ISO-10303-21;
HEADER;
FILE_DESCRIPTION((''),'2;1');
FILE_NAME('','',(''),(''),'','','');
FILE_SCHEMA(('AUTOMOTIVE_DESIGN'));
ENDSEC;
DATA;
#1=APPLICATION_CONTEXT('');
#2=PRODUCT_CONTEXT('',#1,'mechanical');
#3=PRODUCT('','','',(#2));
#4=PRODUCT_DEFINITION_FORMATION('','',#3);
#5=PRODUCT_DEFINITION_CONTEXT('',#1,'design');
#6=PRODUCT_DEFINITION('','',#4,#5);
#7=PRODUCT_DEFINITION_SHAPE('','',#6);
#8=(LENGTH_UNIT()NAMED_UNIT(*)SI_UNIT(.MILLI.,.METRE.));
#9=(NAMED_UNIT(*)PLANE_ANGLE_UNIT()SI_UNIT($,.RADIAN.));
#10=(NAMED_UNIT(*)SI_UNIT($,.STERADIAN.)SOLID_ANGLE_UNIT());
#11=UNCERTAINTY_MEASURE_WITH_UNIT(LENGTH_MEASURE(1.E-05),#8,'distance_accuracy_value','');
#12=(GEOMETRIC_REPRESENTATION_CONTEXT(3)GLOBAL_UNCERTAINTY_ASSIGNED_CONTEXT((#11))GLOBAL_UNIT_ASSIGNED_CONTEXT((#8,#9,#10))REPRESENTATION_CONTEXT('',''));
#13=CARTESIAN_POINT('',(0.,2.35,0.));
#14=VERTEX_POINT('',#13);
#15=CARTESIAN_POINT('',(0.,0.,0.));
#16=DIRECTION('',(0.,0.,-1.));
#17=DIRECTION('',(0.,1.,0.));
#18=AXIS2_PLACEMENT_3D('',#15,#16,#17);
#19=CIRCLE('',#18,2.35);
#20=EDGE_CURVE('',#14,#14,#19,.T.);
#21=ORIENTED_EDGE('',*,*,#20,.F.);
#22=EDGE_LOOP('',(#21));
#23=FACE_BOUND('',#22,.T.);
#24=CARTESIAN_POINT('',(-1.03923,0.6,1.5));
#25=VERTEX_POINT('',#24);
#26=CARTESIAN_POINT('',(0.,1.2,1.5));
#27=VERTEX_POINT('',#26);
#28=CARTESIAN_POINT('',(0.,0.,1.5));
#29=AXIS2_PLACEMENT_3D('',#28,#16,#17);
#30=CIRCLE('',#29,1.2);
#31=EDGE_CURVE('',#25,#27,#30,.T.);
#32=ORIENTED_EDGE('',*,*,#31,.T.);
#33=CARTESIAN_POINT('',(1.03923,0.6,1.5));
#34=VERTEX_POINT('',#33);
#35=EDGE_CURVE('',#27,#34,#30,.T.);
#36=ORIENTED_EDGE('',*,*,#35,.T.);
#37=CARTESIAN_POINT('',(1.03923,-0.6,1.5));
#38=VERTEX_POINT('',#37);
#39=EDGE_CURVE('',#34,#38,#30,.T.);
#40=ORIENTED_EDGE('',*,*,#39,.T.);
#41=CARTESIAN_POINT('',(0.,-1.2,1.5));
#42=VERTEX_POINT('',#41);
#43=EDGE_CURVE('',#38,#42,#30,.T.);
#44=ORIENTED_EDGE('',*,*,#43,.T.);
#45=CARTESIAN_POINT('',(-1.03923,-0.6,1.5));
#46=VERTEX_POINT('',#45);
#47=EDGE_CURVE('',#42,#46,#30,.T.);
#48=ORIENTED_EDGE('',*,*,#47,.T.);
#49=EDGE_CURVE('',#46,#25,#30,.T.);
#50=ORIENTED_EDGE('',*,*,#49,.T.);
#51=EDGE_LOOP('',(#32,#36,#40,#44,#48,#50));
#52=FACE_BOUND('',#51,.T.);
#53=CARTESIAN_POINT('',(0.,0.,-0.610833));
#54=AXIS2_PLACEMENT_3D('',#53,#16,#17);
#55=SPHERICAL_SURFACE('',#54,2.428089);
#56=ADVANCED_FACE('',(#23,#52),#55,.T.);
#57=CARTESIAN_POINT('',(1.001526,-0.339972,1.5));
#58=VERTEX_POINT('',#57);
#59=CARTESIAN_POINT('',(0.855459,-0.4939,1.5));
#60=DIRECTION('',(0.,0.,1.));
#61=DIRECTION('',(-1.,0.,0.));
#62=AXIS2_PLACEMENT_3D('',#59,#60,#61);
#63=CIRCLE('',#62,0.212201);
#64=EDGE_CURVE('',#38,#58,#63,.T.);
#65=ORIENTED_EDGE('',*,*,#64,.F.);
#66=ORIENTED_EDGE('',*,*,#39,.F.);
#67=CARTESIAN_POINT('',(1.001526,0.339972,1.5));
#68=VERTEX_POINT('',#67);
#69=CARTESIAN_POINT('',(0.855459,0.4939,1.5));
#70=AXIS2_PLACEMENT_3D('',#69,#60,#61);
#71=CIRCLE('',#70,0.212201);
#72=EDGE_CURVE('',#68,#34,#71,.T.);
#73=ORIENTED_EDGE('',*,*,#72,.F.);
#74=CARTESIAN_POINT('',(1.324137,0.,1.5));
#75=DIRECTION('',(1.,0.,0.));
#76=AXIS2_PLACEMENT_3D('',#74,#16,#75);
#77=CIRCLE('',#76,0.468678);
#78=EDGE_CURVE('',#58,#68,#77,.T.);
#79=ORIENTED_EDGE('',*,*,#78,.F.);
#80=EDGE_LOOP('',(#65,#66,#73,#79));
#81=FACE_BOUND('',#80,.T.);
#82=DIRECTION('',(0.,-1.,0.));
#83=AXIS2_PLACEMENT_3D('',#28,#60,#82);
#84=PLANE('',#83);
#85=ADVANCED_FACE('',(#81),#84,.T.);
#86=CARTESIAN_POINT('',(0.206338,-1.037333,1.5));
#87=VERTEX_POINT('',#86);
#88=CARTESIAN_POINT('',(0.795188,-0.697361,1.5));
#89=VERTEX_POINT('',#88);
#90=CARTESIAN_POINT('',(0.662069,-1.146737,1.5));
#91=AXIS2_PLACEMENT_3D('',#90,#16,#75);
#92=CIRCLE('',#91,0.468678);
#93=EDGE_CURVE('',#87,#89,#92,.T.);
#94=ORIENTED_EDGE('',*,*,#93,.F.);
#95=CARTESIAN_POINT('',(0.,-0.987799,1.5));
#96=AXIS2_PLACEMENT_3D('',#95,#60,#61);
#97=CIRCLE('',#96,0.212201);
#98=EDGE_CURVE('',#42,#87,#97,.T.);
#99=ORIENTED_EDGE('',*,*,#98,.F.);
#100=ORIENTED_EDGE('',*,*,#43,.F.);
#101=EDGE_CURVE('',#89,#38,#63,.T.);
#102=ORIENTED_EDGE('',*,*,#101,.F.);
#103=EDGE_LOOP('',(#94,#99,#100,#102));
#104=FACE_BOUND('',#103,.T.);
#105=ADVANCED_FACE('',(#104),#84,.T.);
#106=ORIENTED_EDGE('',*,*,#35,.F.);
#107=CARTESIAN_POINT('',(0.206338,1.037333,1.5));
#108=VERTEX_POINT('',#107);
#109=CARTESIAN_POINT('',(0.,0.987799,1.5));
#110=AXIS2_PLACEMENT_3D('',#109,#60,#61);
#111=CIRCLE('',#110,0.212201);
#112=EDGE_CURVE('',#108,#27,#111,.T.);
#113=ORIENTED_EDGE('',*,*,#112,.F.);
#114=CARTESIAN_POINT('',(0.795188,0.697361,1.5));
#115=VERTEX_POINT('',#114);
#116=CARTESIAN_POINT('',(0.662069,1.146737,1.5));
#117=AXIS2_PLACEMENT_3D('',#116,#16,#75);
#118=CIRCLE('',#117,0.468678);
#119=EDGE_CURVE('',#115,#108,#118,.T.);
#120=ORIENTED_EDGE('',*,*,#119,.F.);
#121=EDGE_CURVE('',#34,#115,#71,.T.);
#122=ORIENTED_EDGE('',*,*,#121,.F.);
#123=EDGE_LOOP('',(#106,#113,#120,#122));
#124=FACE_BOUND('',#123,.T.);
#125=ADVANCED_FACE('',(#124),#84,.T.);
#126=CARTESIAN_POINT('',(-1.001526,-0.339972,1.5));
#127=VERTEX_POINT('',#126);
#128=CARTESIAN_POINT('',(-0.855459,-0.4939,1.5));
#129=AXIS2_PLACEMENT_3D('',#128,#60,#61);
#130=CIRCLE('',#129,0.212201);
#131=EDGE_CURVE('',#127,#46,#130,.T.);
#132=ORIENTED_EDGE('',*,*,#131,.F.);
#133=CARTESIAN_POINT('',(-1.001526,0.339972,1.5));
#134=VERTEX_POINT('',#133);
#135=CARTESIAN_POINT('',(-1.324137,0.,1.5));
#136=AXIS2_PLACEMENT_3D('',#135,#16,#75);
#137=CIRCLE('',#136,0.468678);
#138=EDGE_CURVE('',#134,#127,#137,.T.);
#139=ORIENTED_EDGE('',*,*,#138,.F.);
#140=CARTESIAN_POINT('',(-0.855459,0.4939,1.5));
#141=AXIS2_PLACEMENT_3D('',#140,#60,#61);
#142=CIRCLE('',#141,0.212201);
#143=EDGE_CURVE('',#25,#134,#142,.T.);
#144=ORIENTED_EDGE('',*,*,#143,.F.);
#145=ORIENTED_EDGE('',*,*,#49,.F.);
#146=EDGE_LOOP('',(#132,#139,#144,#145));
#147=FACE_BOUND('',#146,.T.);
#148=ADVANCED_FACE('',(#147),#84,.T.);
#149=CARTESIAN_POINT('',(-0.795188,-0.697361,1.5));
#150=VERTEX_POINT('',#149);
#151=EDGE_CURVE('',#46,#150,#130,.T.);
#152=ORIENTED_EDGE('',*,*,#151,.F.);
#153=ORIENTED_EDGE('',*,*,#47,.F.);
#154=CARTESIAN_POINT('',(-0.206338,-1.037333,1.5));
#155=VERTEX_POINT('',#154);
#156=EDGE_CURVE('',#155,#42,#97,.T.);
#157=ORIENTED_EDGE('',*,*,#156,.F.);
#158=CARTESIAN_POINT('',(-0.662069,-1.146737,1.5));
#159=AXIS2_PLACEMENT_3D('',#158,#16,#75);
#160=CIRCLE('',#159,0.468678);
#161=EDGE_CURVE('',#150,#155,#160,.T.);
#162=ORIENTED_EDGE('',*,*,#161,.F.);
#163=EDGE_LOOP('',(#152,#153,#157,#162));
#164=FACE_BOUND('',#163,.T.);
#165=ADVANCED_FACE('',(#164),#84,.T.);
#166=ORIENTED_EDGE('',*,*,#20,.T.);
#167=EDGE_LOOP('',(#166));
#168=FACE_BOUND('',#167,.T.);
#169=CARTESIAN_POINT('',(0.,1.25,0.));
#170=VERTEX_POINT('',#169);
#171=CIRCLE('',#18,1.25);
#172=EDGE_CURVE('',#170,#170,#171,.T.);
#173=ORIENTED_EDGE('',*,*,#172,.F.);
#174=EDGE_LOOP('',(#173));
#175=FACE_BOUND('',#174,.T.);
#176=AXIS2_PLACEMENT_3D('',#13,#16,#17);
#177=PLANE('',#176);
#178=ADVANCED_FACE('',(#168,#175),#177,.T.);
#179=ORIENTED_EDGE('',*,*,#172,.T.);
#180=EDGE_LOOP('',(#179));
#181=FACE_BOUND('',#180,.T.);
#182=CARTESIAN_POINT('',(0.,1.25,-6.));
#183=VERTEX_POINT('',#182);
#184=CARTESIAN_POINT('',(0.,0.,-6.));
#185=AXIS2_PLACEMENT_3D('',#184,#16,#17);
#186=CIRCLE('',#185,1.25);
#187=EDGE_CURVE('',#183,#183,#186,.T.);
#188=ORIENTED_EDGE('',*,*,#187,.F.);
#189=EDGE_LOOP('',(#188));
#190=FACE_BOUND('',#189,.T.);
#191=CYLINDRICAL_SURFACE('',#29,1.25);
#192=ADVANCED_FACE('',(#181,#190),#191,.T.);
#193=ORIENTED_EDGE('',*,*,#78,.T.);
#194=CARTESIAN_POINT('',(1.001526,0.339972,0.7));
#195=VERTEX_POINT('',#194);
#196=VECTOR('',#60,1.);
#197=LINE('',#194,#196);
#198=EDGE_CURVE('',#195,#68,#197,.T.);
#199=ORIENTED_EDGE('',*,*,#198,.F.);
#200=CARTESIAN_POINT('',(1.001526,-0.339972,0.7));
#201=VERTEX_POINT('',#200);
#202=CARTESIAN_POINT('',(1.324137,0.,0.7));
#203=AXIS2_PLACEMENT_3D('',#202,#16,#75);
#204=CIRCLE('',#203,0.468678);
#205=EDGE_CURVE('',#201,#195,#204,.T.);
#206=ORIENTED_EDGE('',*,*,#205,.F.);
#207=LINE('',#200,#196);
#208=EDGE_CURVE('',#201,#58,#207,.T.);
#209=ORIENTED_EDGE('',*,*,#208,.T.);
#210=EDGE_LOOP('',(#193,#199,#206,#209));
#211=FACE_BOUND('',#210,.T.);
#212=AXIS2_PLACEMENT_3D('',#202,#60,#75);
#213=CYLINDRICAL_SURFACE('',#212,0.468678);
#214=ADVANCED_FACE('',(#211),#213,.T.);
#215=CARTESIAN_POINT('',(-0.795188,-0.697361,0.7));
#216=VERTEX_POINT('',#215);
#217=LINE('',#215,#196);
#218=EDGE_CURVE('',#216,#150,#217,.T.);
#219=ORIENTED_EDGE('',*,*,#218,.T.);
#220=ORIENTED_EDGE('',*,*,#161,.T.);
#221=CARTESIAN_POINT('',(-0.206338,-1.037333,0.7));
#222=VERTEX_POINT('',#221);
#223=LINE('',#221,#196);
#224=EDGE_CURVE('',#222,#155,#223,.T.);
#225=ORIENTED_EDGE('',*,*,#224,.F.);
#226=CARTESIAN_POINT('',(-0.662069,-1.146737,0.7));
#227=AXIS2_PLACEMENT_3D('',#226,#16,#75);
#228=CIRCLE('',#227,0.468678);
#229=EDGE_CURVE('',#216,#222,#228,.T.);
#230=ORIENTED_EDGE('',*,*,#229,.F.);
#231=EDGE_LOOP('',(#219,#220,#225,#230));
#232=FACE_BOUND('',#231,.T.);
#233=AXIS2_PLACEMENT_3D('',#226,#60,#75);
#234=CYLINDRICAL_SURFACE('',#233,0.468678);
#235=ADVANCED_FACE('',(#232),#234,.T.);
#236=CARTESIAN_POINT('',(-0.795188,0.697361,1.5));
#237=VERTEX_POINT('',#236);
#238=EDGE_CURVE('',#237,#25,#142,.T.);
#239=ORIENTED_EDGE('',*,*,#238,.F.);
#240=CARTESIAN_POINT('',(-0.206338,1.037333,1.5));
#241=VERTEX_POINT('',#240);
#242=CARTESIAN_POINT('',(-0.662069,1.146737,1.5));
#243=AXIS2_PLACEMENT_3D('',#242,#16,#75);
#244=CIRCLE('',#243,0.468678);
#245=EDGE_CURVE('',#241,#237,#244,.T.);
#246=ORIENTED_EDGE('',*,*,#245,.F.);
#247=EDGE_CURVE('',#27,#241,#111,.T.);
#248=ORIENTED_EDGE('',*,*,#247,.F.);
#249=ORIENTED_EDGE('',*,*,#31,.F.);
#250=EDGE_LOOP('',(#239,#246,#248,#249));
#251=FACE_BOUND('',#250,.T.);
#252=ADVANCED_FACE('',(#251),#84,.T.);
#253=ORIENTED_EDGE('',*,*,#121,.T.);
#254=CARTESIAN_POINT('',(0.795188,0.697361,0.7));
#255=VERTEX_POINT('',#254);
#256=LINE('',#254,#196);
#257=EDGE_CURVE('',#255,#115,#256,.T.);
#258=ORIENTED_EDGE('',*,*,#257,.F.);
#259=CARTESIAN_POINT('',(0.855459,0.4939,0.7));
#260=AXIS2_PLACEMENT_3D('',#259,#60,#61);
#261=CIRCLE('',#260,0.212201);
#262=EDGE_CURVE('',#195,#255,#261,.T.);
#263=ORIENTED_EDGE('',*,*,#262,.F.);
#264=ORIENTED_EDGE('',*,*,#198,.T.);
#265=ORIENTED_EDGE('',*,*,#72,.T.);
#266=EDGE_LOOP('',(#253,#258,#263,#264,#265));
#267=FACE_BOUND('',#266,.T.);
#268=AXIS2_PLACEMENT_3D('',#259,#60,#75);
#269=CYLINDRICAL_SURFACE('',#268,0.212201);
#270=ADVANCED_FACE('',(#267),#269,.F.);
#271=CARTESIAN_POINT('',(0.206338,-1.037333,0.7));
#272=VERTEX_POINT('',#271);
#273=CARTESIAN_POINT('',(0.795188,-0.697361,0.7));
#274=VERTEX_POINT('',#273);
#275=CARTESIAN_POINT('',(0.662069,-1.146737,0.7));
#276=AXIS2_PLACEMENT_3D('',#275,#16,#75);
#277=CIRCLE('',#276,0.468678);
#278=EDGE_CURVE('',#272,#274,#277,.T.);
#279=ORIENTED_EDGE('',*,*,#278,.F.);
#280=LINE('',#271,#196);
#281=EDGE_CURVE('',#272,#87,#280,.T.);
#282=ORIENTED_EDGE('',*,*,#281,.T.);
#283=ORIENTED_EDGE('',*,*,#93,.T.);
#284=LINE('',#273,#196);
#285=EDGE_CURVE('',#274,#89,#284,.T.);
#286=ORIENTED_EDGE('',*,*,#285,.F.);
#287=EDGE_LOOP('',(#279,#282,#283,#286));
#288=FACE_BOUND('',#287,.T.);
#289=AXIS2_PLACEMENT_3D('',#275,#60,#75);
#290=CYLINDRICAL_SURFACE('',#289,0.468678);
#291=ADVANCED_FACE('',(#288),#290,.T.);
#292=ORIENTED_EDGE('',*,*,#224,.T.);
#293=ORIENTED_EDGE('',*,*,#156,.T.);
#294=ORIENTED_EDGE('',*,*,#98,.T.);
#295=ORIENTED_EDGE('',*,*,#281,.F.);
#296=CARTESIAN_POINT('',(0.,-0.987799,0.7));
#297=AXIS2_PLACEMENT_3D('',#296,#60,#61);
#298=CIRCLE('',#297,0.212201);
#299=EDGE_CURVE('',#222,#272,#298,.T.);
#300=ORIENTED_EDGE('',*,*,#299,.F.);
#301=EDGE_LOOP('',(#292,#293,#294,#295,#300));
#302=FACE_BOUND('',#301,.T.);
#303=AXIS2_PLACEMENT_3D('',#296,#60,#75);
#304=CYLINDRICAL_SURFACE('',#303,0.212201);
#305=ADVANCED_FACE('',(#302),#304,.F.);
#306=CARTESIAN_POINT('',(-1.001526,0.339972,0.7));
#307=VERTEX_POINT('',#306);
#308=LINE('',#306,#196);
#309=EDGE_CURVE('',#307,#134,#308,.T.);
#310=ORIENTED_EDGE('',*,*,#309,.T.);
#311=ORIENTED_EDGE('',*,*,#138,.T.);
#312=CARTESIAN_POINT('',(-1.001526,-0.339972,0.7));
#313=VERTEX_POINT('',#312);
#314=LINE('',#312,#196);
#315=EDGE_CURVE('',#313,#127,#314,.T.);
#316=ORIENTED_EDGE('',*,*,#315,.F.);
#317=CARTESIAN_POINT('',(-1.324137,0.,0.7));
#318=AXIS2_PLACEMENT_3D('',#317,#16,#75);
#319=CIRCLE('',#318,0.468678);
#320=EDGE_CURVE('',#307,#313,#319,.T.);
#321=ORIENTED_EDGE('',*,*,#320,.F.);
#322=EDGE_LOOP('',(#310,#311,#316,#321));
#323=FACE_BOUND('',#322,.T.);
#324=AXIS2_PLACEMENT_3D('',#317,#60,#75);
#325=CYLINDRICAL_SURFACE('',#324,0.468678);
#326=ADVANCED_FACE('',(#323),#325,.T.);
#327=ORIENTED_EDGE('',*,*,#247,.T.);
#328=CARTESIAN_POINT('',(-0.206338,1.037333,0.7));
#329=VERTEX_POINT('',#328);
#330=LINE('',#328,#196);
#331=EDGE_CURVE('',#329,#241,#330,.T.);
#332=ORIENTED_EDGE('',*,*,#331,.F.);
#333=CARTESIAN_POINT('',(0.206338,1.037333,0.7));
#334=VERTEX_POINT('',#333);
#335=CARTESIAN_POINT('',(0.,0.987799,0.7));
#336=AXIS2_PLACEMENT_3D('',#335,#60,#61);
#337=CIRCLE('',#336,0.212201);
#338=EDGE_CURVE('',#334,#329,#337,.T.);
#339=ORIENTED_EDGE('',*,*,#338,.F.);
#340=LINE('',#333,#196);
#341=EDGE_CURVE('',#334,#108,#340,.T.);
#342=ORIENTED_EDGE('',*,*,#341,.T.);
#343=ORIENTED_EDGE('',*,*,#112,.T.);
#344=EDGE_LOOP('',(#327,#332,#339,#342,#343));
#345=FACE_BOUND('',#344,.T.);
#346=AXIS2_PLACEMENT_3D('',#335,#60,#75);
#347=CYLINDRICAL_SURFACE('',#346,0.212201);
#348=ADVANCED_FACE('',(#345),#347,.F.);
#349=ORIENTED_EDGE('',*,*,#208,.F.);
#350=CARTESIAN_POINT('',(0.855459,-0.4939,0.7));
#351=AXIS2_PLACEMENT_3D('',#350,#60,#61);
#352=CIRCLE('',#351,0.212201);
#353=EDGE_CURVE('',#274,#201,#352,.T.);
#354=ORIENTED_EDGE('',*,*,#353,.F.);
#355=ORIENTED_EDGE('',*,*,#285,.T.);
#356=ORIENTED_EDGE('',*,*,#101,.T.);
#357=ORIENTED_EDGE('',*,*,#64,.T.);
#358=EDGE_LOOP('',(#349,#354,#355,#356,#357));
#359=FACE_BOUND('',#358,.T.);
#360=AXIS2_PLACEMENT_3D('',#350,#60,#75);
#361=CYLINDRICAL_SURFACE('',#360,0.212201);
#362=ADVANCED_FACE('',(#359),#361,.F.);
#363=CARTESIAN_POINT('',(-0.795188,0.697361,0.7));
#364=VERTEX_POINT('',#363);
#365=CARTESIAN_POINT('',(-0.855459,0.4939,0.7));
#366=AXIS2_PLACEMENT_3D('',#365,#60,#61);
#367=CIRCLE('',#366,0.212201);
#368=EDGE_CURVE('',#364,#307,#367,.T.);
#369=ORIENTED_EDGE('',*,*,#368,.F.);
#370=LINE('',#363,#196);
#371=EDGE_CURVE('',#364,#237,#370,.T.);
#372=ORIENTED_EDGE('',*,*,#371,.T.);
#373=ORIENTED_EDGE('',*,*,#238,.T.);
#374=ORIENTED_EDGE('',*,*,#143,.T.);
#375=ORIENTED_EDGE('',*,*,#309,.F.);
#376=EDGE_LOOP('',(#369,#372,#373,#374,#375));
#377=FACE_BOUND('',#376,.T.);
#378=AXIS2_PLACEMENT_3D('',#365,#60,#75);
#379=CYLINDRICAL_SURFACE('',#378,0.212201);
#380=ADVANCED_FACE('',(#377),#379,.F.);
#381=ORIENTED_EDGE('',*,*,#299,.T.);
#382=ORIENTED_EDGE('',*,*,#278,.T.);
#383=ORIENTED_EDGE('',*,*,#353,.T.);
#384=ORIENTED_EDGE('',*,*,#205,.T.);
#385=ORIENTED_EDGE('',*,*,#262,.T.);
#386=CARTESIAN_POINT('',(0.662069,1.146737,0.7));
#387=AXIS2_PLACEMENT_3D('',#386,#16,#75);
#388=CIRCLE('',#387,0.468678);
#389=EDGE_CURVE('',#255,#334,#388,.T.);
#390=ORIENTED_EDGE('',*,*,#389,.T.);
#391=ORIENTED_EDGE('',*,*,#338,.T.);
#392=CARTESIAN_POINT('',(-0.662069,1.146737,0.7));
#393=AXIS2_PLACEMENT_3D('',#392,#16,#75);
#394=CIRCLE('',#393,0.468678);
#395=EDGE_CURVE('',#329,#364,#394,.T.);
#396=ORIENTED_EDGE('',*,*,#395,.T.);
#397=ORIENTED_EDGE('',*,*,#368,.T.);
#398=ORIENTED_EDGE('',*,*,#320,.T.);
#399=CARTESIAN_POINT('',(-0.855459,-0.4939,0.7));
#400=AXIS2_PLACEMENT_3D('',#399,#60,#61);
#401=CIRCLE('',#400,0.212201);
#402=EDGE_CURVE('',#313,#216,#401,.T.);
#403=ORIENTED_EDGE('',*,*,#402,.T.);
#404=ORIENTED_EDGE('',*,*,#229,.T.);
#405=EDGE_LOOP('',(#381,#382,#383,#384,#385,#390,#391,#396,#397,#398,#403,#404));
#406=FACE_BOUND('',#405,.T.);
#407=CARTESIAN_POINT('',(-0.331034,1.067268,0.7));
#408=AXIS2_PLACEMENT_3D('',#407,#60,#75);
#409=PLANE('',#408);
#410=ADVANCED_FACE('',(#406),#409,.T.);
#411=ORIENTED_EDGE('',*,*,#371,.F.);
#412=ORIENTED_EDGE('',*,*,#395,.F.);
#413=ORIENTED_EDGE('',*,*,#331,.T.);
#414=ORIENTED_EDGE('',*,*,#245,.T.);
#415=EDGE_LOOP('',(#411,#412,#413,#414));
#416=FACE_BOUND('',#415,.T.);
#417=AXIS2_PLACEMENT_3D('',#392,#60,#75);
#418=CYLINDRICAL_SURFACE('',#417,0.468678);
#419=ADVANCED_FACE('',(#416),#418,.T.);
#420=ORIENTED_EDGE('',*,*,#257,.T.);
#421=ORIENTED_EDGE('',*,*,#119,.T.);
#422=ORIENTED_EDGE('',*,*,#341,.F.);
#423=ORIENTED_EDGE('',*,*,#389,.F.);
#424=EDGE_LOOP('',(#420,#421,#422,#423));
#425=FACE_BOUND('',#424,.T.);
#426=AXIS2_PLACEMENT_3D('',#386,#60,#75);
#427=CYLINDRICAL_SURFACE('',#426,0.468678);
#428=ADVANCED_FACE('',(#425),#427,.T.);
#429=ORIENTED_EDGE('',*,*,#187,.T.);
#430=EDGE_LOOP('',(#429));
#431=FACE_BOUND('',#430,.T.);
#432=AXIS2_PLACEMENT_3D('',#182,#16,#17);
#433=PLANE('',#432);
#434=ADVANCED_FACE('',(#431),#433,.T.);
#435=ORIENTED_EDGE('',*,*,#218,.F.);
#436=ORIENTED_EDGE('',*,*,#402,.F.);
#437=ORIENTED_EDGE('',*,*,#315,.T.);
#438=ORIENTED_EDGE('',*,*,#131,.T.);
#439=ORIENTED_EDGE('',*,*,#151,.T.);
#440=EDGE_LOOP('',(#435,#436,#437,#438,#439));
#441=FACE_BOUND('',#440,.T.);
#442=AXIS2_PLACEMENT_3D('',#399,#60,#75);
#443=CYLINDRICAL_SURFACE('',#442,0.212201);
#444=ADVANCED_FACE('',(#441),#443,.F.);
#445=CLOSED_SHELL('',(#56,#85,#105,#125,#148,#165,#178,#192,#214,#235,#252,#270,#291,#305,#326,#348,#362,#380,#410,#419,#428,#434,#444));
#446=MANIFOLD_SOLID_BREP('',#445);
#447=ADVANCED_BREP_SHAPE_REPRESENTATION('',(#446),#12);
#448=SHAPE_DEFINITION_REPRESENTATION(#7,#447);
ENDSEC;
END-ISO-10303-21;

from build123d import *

# Parameters (mm, degrees)
ENL_V_MAT_EXTRU_1_DEPTH = 0.8


with BuildPart() as part:
    # Esquisse1 → Révolution1 (revolve)
    with BuildSketch(Plane(origin=(0, 0, 0), x_dir=(0, 0, -1), z_dir=(1, 0, 0))):
        with BuildLine():
            Line((-1.5, 0), (-1.5, 1.2))
            ThreePointArc((-1.5, 1.2), (-0.866492752, 1.926947067), (0, 2.35))
            Line((0, 2.35), (0, 1.25))
            Line((0, 1.25), (6, 1.25))
            Line((6, 1.25), (6, 0))
            Line((6, 0), (-1.5, 0))
        make_face()
    revolve(axis=Axis((0, 0, 1.5), (0, 0, 1)))

    # Esquisse2 → Enlèv. mat.-Extru.1 (cut)
    with BuildSketch(Plane.XY.offset(1.5)):
        with BuildLine():
            ThreePointArc((-0.206338407, 1.037333225), (0, 1.2), (0.206338407, 1.037333225))
            ThreePointArc((0.206338407, 1.037333225), (0.427729629, 0.74084945), (0.795187721, 0.697360915))
            ThreePointArc((0.795187721, 0.697360915), (1.039230485, 0.6), (1.001526129, 0.33997231))
            ThreePointArc((1.001526129, 0.33997231), (0.855459258, 0), (1.001526129, -0.33997231))
            ThreePointArc((1.001526129, -0.33997231), (1.039230485, -0.6), (0.795187721, -0.697360915))
            ThreePointArc((0.795187721, -0.697360915), (0.427729629, -0.74084945), (0.206338407, -1.037333225))
            ThreePointArc((0.206338407, -1.037333225), (0, -1.2), (-0.206338407, -1.037333225))
            ThreePointArc((-0.206338407, -1.037333225), (-0.427729629, -0.74084945), (-0.795187721, -0.697360915))
            ThreePointArc((-0.795187721, -0.697360915), (-1.039230485, -0.6), (-1.001526129, -0.33997231))
            ThreePointArc((-1.001526129, -0.33997231), (-0.855459258, 0), (-1.001526129, 0.33997231))
            ThreePointArc((-1.001526129, 0.33997231), (-1.039230485, 0.6), (-0.795187721, 0.697360915))
            ThreePointArc((-0.795187721, 0.697360915), (-0.427729629, 0.74084945), (-0.206338407, 1.037333225))
        make_face()
    extrude(amount=-ENL_V_MAT_EXTRU_1_DEPTH, mode=Mode.SUBTRACT)


solid = part.part
